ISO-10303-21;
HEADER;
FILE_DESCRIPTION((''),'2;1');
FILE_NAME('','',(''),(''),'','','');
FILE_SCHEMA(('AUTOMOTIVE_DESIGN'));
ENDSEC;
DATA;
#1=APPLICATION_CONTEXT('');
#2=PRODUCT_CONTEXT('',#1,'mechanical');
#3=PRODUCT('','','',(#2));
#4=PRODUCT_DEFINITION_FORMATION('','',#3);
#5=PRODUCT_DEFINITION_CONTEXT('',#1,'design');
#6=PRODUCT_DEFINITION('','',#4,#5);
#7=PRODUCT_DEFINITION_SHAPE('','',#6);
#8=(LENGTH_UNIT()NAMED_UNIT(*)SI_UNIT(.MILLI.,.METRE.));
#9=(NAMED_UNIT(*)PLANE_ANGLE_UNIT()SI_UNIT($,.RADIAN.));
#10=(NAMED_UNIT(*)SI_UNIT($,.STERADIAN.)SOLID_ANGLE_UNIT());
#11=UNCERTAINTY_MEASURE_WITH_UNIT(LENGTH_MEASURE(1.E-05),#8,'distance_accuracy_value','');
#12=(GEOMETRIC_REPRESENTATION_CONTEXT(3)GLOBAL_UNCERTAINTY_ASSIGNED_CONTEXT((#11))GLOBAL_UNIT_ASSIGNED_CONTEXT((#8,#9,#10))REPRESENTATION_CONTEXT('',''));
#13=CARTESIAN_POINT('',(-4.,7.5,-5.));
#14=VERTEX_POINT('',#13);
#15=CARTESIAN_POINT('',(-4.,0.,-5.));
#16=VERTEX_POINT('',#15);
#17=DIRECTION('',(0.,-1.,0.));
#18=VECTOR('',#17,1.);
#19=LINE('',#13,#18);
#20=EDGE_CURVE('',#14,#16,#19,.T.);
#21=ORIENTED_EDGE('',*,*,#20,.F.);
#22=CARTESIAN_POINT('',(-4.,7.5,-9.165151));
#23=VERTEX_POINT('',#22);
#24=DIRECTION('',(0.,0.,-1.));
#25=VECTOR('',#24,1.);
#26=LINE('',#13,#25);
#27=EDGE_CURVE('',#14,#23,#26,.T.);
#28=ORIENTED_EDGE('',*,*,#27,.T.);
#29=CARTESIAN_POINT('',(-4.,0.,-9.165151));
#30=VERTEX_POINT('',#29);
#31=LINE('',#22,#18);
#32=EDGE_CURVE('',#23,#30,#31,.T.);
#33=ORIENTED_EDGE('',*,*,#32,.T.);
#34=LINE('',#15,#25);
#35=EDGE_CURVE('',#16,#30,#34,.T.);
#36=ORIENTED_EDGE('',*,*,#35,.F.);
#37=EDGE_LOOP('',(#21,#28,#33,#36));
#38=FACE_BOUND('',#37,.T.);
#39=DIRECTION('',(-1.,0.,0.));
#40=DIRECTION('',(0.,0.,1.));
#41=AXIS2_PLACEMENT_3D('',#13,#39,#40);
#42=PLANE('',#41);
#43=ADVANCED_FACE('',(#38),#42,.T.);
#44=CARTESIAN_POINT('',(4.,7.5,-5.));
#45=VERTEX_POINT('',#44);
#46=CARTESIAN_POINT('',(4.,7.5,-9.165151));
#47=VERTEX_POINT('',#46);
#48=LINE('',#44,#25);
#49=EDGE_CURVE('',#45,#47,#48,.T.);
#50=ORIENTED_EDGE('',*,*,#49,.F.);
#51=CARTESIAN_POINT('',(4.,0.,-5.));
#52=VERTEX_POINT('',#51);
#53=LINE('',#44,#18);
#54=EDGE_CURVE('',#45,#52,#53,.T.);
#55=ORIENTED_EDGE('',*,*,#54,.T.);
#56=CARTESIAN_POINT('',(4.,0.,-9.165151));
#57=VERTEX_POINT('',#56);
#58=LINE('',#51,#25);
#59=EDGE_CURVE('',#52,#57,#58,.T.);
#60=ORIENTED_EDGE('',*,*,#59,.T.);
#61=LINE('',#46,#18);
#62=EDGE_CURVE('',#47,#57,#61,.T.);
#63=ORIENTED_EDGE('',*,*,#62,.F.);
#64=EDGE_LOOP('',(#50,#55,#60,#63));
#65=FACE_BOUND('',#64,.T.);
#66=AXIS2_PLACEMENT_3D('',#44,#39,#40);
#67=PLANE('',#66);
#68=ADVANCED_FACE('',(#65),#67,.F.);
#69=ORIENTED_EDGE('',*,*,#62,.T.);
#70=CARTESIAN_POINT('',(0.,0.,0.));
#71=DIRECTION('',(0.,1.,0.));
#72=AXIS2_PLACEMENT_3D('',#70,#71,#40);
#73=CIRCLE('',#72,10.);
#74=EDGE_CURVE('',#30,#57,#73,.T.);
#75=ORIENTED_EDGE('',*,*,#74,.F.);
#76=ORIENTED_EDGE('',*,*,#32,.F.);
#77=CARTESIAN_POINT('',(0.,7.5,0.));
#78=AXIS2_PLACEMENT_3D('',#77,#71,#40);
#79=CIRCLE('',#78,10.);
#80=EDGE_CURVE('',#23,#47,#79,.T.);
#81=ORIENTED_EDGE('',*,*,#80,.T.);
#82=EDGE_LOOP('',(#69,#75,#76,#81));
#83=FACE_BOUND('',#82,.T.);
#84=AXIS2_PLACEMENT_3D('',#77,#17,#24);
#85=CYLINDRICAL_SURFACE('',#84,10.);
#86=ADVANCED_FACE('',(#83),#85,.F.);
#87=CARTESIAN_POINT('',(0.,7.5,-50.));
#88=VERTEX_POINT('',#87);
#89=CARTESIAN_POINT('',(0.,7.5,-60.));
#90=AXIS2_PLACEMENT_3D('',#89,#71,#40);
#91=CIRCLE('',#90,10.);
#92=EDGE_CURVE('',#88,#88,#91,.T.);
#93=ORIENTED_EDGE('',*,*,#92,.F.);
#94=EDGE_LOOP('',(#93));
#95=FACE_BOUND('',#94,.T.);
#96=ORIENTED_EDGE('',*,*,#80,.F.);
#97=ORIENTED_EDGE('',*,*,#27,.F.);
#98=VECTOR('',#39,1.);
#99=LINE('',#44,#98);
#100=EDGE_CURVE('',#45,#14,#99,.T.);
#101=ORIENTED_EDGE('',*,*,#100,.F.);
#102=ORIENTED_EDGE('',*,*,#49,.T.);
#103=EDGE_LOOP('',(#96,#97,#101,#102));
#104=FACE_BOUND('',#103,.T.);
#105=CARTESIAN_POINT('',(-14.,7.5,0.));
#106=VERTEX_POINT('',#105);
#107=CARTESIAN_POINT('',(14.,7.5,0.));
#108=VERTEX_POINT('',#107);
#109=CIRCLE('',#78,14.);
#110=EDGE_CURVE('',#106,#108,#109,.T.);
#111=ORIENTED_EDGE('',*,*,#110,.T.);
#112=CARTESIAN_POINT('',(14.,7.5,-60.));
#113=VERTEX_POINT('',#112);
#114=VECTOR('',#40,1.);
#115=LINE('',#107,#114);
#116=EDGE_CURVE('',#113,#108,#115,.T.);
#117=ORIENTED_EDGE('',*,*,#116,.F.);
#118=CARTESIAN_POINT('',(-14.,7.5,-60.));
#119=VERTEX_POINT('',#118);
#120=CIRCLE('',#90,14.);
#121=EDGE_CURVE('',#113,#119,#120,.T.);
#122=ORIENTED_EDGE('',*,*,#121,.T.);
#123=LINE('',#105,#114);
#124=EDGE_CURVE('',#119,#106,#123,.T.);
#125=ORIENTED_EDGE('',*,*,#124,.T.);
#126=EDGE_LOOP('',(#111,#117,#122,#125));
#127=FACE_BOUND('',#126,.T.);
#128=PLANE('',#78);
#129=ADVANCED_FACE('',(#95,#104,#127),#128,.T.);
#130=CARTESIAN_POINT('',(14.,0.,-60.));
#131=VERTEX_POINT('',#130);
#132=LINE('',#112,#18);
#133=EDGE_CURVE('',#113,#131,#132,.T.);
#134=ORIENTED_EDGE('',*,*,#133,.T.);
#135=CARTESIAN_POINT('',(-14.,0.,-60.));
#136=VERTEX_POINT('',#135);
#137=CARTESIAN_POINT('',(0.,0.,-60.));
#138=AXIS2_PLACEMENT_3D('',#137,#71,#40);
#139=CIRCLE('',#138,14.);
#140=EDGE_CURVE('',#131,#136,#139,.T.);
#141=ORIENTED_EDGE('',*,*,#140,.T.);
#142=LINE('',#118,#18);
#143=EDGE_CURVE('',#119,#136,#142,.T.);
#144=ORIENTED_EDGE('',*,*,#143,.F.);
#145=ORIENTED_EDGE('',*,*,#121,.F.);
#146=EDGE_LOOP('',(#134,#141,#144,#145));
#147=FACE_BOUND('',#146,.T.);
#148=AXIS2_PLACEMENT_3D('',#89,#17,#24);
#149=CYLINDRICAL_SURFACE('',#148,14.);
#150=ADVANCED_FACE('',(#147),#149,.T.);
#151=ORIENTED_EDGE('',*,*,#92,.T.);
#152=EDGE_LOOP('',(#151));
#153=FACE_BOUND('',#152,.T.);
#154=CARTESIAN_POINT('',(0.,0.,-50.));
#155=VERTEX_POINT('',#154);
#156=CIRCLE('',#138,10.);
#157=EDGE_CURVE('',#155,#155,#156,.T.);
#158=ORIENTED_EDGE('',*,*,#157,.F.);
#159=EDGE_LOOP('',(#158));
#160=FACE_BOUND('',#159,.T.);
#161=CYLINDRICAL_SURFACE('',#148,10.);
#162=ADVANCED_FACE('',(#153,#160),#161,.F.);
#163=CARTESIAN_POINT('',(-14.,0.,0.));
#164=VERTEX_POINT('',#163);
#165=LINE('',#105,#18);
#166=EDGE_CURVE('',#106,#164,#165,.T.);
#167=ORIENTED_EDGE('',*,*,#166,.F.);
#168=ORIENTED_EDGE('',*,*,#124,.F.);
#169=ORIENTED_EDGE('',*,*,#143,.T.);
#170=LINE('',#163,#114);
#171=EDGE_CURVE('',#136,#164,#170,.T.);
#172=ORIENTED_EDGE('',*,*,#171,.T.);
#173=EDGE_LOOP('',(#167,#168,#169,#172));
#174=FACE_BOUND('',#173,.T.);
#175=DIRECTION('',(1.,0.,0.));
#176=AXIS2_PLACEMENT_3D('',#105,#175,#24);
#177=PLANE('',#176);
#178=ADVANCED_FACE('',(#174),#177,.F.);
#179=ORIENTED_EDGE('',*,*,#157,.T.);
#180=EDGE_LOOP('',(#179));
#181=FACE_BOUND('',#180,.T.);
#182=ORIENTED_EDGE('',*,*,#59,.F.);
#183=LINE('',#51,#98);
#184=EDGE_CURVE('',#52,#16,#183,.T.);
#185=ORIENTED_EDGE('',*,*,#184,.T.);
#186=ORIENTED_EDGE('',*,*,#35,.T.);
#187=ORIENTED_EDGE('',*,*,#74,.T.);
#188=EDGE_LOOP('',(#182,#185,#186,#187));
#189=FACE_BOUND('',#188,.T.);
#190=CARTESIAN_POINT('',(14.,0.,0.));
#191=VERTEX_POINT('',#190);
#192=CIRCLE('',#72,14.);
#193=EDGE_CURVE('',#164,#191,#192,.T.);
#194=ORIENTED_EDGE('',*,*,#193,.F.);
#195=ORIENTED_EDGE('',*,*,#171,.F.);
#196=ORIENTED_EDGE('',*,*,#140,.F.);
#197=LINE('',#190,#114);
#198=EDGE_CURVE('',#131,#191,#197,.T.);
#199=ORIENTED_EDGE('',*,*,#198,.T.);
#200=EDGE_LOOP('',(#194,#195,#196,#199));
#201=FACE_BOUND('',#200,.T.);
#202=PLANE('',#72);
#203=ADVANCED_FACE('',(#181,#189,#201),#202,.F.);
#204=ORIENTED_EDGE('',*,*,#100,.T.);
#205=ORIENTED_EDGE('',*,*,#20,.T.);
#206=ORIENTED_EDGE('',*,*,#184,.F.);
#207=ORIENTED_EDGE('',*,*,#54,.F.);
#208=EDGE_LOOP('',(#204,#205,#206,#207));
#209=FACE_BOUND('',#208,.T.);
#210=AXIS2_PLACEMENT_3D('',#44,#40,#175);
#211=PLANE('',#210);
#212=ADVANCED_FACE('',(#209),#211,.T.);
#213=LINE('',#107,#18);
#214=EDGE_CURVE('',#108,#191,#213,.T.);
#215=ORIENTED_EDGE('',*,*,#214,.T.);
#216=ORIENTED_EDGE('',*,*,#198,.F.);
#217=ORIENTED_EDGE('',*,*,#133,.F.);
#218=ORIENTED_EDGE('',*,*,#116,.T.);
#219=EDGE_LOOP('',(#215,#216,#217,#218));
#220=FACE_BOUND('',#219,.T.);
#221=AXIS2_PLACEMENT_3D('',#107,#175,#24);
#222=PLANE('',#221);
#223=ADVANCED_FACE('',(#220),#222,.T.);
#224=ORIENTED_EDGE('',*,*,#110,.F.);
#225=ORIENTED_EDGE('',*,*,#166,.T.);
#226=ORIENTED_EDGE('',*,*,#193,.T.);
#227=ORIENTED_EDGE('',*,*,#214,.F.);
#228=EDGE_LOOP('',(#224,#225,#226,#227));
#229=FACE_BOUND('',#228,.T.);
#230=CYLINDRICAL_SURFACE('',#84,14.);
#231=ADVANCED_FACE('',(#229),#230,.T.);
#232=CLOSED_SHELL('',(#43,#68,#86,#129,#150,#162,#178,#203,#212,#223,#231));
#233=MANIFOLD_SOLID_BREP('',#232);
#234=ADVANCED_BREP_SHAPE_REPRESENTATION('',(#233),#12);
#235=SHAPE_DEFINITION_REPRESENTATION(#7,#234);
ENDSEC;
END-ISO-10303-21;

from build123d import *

# Parameters (mm, degrees)
SKETCH1_R           = 10
BOSS_EXTRUDE1_DEPTH = 7.5


with BuildPart() as part:
    # Sketch1 → Boss-Extrude1 (new body)
    with BuildSketch(Plane(origin=(0, 0, 0), x_dir=(1, 0, 0), z_dir=(0, 1, 0))):
        with BuildLine():
            Line((14, 0), (14, 60))
            ThreePointArc((14, 60), (0, 74), (-14, 60))
            Line((-14, 60), (-14, 0))
            ThreePointArc((-14, 0), (0, -14), (14, 0))
        make_face()
        with BuildLine():
            ThreePointArc((4, 9.16515139), (0, -10), (-4, 9.16515139))
            Line((-4, 9.16515139), (-4, 5))
            Line((-4, 5), (4, 5))
            Line((4, 5), (4, 9.16515139))
        make_face(mode=Mode.SUBTRACT)
        with Locations((0, 60)):
            Circle(SKETCH1_R, mode=Mode.SUBTRACT)
    extrude(amount=BOSS_EXTRUDE1_DEPTH)


solid = part.part
